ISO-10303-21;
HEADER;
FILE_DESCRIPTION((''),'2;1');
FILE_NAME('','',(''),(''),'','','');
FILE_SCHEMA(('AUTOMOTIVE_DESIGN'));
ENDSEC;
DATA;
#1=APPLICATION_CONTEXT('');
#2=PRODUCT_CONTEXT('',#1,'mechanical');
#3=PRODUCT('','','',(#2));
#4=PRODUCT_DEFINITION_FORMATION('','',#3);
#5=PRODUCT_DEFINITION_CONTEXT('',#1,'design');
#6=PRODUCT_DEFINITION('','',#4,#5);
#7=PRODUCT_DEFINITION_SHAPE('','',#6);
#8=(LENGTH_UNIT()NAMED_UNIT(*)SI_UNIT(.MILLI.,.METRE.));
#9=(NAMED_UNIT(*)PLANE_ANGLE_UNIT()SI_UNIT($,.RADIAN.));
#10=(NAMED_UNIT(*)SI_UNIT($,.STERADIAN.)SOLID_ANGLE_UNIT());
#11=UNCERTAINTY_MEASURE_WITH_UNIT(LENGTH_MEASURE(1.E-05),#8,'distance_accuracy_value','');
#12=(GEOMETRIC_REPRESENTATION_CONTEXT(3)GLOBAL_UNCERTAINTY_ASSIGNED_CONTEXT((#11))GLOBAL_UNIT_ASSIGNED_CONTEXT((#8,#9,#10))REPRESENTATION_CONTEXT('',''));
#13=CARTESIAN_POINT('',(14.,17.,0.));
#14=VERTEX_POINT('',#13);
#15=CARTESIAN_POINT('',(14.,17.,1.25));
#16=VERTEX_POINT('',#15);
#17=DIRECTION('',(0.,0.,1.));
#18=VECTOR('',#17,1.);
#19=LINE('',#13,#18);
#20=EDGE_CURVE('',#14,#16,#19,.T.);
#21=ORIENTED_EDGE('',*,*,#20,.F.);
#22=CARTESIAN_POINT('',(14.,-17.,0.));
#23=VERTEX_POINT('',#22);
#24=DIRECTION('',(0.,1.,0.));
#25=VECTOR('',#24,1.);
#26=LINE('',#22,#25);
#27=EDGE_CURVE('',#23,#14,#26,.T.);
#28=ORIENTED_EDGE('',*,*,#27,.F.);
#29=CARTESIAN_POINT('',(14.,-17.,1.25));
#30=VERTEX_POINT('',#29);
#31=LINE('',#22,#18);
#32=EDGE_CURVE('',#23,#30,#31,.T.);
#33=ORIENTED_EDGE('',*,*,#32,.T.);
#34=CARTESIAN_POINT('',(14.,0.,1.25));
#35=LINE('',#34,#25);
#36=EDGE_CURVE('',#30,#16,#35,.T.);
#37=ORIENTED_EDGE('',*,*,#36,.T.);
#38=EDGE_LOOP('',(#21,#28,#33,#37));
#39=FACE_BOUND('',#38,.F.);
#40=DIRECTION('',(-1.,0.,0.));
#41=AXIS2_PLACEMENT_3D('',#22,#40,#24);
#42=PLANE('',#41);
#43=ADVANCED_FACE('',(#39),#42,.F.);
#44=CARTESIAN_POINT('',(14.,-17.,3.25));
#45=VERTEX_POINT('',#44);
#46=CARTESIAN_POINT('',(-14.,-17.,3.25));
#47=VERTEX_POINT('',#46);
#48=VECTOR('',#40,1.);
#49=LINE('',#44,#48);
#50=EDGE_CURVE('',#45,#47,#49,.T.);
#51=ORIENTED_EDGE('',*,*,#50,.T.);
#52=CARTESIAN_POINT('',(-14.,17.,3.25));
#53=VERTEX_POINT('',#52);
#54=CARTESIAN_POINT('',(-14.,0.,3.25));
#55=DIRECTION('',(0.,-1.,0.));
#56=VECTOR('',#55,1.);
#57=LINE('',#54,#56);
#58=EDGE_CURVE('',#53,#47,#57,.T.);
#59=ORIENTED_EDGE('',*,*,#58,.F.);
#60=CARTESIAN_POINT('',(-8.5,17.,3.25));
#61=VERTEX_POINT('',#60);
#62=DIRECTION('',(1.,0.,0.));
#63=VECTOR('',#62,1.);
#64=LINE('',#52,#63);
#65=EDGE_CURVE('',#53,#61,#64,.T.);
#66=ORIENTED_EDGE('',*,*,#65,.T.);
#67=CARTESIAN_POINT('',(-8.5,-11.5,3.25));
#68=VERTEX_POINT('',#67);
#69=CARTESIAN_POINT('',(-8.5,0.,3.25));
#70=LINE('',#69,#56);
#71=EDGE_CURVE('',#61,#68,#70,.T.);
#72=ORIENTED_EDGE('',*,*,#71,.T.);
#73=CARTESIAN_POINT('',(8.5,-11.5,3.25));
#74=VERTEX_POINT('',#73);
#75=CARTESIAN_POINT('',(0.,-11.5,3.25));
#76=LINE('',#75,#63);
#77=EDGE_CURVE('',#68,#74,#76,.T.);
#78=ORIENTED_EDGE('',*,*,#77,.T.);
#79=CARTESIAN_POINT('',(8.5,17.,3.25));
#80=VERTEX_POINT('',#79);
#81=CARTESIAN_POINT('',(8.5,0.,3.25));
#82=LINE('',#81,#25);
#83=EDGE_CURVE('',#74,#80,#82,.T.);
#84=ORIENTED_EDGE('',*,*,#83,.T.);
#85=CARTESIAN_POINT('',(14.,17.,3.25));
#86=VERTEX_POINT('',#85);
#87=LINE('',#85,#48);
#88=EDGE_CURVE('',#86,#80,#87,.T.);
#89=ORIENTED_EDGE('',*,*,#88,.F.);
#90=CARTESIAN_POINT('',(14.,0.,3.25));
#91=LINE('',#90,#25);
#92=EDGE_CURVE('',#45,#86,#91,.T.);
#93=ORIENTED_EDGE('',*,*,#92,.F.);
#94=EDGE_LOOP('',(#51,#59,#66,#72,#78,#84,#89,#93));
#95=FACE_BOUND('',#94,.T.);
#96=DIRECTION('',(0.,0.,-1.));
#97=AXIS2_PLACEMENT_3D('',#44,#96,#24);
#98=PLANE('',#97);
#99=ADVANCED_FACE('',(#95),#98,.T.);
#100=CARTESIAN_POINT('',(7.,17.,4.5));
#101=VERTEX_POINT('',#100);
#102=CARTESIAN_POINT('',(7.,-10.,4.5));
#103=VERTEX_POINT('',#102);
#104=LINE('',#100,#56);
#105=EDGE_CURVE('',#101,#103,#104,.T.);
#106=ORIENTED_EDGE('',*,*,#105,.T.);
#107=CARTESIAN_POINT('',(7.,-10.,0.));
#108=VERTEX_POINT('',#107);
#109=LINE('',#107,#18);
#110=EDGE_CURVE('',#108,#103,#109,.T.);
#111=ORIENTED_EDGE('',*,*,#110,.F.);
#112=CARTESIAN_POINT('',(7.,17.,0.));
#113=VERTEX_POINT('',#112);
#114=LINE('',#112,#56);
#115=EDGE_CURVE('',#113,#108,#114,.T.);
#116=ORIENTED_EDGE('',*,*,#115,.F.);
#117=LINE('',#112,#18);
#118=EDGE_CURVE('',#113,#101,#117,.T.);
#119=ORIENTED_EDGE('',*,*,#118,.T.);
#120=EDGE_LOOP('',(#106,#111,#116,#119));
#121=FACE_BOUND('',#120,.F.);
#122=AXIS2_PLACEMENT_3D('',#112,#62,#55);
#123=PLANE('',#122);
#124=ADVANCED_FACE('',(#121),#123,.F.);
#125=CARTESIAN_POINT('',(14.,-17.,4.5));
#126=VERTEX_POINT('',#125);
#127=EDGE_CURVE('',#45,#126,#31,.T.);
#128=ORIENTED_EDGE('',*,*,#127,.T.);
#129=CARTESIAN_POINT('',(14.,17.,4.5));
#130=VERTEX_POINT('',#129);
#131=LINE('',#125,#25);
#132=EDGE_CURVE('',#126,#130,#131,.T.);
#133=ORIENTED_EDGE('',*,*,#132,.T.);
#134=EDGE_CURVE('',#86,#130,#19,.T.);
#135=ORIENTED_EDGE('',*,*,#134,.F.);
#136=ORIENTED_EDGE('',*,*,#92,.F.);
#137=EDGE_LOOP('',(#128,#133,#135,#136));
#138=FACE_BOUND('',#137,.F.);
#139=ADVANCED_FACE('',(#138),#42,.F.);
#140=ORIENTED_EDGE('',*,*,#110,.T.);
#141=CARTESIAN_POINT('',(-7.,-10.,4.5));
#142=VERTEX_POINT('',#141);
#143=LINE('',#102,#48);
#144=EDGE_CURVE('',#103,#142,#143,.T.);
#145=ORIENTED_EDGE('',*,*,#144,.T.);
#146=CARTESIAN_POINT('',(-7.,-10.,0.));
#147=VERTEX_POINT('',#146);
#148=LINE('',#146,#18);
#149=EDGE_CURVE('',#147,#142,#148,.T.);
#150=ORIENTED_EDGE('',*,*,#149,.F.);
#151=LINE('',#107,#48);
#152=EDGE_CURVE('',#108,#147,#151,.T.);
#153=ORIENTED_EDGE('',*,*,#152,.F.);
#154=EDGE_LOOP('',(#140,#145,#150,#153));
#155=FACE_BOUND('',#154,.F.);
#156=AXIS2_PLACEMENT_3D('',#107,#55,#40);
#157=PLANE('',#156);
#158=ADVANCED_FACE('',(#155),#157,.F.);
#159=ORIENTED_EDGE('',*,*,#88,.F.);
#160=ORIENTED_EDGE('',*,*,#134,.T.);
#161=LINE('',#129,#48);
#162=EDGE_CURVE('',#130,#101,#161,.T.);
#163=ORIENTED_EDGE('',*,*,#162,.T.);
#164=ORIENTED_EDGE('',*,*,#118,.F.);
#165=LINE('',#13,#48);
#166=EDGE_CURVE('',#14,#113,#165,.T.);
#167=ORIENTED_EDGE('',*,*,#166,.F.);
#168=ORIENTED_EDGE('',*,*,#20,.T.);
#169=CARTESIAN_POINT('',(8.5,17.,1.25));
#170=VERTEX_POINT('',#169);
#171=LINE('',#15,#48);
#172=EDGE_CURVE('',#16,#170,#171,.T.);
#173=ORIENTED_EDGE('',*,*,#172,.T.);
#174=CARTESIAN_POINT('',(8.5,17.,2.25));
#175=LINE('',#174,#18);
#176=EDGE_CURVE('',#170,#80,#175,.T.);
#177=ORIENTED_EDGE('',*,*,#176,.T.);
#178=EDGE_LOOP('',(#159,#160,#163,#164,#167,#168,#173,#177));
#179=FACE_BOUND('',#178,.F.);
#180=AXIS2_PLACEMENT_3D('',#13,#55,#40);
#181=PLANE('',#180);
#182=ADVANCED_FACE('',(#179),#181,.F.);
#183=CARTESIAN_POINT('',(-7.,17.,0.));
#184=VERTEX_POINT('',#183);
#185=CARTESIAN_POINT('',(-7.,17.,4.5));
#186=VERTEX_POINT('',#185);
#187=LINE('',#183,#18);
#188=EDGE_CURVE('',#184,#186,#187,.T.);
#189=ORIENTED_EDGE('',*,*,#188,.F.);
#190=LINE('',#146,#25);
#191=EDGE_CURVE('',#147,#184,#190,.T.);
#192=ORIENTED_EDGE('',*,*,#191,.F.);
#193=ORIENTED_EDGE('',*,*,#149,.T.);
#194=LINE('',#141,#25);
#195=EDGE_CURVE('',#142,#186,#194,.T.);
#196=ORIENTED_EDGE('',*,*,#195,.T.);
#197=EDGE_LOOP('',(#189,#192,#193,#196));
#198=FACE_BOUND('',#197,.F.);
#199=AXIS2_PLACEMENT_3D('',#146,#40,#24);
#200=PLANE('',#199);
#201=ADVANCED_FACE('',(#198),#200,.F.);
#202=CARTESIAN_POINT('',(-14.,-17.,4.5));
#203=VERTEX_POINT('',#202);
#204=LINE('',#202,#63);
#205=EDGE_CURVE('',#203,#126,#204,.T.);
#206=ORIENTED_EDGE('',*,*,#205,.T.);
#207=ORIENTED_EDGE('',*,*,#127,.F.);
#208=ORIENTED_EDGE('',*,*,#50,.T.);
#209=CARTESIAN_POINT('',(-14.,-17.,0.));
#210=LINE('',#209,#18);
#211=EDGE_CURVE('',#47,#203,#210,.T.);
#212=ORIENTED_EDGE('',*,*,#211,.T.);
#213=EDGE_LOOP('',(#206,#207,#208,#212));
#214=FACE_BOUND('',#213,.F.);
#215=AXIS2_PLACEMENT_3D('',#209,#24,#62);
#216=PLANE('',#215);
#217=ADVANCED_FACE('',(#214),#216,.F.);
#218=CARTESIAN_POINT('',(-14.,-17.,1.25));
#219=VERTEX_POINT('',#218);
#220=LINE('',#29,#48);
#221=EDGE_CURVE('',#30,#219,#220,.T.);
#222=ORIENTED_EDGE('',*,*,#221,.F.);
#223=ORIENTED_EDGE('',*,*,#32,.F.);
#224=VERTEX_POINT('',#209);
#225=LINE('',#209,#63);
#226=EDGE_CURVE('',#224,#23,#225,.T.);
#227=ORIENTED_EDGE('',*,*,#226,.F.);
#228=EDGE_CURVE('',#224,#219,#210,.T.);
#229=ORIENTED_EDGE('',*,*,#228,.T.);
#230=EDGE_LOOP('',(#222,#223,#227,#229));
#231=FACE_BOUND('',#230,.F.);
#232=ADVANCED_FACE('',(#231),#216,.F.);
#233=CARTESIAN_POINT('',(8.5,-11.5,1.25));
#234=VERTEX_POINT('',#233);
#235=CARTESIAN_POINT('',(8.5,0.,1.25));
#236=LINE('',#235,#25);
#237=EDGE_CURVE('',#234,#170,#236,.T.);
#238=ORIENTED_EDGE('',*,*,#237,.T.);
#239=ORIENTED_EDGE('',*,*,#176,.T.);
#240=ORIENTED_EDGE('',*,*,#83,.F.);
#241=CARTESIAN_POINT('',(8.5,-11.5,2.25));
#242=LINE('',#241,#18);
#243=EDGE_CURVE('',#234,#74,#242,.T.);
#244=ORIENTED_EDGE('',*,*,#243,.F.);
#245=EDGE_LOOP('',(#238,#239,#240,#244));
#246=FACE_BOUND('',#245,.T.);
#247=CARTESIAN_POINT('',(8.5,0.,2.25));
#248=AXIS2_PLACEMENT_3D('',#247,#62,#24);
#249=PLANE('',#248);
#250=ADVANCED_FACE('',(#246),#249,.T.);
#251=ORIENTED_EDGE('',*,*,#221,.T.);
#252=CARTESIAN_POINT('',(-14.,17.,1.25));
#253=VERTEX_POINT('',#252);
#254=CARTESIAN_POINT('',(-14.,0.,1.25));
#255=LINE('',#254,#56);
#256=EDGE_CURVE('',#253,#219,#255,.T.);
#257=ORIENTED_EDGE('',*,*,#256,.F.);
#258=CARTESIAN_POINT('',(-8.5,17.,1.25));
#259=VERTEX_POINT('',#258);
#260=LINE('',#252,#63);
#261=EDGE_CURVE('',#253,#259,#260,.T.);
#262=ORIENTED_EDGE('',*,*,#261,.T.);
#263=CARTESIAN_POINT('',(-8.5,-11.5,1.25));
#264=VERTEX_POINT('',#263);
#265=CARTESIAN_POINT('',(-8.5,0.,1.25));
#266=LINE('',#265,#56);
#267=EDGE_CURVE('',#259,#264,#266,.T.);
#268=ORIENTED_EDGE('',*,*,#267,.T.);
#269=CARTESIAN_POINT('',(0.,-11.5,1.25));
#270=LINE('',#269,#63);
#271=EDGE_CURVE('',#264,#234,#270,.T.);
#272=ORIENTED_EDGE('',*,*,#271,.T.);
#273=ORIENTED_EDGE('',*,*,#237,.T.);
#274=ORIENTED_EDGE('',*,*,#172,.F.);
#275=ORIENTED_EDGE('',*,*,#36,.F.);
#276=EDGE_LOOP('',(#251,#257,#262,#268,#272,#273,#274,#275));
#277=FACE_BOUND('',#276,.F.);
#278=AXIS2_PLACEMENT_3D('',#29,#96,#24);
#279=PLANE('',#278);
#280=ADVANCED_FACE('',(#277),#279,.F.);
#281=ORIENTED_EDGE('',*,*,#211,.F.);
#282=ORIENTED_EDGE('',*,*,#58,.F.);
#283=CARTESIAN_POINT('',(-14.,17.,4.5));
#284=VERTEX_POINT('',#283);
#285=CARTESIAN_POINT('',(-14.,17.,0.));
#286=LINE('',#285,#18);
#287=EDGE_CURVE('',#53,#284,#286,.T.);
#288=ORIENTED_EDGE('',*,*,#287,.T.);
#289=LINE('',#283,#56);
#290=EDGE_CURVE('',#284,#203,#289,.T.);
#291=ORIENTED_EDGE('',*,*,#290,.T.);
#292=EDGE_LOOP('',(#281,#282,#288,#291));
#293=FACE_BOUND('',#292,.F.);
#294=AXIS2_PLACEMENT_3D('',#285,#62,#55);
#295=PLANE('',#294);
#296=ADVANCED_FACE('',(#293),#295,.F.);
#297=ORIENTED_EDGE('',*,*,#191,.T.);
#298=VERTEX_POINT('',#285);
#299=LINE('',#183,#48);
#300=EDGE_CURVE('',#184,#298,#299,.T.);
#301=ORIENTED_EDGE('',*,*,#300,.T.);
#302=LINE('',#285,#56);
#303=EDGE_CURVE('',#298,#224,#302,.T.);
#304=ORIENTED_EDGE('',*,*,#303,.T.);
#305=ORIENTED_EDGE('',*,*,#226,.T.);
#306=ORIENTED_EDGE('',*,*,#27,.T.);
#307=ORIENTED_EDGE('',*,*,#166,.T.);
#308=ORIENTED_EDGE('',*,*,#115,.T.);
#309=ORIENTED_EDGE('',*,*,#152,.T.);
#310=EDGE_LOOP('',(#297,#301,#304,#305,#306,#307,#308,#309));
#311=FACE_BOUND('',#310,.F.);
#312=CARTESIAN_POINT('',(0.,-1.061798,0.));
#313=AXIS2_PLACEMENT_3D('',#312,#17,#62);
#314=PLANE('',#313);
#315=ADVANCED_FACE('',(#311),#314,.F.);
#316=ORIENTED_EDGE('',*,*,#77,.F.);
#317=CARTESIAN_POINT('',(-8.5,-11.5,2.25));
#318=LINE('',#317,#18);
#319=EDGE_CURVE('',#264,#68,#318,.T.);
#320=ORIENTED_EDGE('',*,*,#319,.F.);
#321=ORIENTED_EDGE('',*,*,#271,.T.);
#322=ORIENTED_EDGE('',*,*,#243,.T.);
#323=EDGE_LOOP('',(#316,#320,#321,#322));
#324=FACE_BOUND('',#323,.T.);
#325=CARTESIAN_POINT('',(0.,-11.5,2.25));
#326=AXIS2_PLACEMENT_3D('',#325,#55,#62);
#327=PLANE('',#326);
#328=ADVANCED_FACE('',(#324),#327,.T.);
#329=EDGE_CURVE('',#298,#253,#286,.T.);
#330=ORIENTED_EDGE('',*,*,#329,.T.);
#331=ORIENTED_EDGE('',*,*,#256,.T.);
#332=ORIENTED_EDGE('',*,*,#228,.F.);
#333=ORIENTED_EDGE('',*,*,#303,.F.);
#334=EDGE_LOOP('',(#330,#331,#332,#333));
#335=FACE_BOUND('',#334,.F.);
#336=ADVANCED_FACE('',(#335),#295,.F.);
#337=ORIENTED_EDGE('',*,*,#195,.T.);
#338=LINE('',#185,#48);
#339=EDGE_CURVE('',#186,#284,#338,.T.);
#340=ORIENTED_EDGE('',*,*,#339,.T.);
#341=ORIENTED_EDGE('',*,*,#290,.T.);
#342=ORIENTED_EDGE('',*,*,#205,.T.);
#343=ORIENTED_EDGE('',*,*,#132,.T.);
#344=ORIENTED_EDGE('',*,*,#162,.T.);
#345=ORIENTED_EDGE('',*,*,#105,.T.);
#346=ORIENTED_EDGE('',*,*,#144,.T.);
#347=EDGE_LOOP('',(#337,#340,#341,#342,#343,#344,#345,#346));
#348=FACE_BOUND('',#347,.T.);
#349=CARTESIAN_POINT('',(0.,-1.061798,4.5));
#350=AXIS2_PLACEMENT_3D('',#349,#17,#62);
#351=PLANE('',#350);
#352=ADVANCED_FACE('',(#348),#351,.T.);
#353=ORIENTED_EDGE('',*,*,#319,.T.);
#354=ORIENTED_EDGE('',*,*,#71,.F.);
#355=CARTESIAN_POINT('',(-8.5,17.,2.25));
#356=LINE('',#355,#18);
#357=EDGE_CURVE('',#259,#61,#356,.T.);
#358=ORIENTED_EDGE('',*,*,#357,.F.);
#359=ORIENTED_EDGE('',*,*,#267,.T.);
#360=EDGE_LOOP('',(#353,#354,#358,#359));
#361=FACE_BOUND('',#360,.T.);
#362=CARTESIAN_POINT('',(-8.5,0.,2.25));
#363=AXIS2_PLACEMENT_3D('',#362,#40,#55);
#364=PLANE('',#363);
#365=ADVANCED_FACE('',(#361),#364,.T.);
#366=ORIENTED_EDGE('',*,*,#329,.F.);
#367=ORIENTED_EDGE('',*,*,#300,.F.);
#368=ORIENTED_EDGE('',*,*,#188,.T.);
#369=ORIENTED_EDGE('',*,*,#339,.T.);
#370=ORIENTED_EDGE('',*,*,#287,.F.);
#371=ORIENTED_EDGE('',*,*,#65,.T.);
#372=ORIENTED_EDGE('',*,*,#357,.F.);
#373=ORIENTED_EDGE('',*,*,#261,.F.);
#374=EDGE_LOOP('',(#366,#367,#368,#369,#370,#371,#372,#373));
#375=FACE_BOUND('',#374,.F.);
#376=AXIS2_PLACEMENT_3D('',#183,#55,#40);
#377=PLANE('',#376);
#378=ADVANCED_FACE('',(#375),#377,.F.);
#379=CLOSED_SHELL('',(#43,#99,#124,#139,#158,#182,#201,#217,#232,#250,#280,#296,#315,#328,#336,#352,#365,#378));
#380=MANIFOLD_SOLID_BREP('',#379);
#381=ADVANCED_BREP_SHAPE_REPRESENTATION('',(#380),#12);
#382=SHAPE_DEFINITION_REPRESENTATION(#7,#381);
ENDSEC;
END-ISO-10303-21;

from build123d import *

# Parameters (mm, degrees)
F1_DEPTH = 4.5
F2_W     = 34
F2_H     = 2
F3_DEPTH = 5.5
F4_W     = 34
F4_H     = 2
F5_DEPTH = 5.5
F6_W     = 17
F6_H     = 2
F7_DEPTH = 5.5


with BuildPart() as f1:
    # F0 (on Top) → F1 (new body)
    with BuildSketch(Plane.XY):
        Polygon((-14, -17), (14, -17), (14, 17), (7, 17), (7, -10), (-7, -10), (-7, 17), (-14, 17), align=None)
    extrude(amount=F1_DEPTH)

    # F2 (on face) → F3 (cut)
    with BuildSketch(Plane(origin=(-14, 0, 0), x_dir=(0, -1, 0), z_dir=(-1, 0, 0))):
        with Locations((0, 2.25)):
            Rectangle(F2_W, F2_H)
    extrude(amount=-F3_DEPTH, mode=Mode.SUBTRACT)

    # F4 (on face) → F5 (cut)
    with BuildSketch(Plane.YZ.offset(14)):
        with Locations((0, 2.25)):
            Rectangle(F4_W, F4_H)
    extrude(amount=-F5_DEPTH, mode=Mode.SUBTRACT)

    # F6 (on face) → F7 (cut)
    with BuildSketch(Plane.XZ.offset(17)):
        with Locations((0, 2.25)):
            Rectangle(F6_W, F6_H)
    extrude(amount=-F7_DEPTH, mode=Mode.SUBTRACT)


solid = f1.part
